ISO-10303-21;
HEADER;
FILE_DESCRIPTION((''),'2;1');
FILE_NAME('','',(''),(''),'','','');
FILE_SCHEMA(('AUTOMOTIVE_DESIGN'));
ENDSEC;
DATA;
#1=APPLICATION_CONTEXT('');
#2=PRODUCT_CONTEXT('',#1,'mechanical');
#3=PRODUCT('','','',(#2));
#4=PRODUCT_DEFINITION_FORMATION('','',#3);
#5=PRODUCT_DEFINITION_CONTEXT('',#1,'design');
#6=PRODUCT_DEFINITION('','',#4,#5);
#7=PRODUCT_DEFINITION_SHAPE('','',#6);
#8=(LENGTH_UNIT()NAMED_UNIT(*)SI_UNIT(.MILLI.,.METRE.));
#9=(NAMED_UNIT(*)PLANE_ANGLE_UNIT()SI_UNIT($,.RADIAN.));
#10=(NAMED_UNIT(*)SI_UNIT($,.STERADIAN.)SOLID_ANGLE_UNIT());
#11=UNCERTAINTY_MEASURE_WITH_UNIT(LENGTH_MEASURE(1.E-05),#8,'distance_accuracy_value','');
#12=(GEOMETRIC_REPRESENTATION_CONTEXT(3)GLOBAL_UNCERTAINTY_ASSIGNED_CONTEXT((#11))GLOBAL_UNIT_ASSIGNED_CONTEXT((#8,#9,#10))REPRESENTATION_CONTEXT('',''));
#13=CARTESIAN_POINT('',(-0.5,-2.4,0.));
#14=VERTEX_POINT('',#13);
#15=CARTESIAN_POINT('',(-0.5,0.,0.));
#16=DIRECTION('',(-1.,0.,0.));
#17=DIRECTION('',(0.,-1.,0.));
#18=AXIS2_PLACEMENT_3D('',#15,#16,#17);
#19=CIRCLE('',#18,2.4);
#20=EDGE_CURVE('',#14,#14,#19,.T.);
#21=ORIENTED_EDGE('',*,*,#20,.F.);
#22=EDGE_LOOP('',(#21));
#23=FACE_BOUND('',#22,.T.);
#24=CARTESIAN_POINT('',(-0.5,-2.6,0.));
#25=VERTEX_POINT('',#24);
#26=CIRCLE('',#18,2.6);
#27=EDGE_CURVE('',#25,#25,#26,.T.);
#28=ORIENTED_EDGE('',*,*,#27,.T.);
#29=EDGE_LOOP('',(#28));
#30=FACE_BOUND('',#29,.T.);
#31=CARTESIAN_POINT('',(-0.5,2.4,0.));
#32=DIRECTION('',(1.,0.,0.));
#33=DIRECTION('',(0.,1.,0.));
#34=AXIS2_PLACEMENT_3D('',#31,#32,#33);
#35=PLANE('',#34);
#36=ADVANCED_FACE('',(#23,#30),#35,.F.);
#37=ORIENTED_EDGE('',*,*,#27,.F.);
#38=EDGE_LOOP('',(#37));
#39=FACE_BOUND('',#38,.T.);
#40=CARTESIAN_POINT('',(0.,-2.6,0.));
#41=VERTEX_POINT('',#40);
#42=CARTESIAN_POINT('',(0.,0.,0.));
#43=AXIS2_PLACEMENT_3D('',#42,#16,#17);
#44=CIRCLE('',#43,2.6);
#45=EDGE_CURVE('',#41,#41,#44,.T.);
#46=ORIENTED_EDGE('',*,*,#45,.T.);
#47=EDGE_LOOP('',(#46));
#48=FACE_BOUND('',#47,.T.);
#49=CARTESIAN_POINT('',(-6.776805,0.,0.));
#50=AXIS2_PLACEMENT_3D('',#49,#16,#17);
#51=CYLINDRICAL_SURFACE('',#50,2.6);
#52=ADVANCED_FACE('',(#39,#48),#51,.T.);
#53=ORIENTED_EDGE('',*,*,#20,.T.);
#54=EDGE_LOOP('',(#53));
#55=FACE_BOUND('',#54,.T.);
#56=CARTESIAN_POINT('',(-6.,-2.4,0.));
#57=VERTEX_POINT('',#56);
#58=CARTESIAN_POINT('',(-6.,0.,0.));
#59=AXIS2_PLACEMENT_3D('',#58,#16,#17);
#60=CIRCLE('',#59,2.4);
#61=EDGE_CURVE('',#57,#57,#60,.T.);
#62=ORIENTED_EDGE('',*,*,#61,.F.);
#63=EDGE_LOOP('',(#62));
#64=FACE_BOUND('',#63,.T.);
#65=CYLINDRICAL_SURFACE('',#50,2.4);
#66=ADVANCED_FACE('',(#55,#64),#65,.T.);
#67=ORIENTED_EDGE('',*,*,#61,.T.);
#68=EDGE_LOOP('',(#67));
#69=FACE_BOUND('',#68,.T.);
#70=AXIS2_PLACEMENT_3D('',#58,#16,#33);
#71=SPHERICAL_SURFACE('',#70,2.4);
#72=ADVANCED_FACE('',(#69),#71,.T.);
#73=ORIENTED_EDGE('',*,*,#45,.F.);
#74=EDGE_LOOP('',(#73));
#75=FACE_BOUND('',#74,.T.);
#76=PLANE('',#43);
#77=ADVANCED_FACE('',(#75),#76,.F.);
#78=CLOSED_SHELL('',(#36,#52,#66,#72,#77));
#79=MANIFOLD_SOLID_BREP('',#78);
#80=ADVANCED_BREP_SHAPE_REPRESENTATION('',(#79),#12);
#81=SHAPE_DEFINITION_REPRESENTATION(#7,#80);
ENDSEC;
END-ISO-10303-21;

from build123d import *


with BuildPart() as part:
    # Esquisse1 → Révolution1 (revolve)
    with BuildSketch(Plane.XY, mode=Mode.PRIVATE) as r_volution1_sk:
        with BuildLine():
            Line((0, 0), (-8.4, 0))
            ThreePointArc((-8.4, 0), (-7.697056275, 1.697056275), (-6, 2.4))
            Line((-6, 2.4), (-0.5, 2.4))
            Line((-0.5, 2.4), (-0.5, 2.6))
            Line((-0.5, 2.6), (0, 2.6))
            Line((0, 2.6), (0, 0))
        make_face()
    revolve(r_volution1_sk.sketch.rotate(Axis((-6.776805371, 0, 0), (1, 0, 0)), 180), axis=Axis((-6.776805371, 0, 0), (1, 0, 0)))


solid = part.part
